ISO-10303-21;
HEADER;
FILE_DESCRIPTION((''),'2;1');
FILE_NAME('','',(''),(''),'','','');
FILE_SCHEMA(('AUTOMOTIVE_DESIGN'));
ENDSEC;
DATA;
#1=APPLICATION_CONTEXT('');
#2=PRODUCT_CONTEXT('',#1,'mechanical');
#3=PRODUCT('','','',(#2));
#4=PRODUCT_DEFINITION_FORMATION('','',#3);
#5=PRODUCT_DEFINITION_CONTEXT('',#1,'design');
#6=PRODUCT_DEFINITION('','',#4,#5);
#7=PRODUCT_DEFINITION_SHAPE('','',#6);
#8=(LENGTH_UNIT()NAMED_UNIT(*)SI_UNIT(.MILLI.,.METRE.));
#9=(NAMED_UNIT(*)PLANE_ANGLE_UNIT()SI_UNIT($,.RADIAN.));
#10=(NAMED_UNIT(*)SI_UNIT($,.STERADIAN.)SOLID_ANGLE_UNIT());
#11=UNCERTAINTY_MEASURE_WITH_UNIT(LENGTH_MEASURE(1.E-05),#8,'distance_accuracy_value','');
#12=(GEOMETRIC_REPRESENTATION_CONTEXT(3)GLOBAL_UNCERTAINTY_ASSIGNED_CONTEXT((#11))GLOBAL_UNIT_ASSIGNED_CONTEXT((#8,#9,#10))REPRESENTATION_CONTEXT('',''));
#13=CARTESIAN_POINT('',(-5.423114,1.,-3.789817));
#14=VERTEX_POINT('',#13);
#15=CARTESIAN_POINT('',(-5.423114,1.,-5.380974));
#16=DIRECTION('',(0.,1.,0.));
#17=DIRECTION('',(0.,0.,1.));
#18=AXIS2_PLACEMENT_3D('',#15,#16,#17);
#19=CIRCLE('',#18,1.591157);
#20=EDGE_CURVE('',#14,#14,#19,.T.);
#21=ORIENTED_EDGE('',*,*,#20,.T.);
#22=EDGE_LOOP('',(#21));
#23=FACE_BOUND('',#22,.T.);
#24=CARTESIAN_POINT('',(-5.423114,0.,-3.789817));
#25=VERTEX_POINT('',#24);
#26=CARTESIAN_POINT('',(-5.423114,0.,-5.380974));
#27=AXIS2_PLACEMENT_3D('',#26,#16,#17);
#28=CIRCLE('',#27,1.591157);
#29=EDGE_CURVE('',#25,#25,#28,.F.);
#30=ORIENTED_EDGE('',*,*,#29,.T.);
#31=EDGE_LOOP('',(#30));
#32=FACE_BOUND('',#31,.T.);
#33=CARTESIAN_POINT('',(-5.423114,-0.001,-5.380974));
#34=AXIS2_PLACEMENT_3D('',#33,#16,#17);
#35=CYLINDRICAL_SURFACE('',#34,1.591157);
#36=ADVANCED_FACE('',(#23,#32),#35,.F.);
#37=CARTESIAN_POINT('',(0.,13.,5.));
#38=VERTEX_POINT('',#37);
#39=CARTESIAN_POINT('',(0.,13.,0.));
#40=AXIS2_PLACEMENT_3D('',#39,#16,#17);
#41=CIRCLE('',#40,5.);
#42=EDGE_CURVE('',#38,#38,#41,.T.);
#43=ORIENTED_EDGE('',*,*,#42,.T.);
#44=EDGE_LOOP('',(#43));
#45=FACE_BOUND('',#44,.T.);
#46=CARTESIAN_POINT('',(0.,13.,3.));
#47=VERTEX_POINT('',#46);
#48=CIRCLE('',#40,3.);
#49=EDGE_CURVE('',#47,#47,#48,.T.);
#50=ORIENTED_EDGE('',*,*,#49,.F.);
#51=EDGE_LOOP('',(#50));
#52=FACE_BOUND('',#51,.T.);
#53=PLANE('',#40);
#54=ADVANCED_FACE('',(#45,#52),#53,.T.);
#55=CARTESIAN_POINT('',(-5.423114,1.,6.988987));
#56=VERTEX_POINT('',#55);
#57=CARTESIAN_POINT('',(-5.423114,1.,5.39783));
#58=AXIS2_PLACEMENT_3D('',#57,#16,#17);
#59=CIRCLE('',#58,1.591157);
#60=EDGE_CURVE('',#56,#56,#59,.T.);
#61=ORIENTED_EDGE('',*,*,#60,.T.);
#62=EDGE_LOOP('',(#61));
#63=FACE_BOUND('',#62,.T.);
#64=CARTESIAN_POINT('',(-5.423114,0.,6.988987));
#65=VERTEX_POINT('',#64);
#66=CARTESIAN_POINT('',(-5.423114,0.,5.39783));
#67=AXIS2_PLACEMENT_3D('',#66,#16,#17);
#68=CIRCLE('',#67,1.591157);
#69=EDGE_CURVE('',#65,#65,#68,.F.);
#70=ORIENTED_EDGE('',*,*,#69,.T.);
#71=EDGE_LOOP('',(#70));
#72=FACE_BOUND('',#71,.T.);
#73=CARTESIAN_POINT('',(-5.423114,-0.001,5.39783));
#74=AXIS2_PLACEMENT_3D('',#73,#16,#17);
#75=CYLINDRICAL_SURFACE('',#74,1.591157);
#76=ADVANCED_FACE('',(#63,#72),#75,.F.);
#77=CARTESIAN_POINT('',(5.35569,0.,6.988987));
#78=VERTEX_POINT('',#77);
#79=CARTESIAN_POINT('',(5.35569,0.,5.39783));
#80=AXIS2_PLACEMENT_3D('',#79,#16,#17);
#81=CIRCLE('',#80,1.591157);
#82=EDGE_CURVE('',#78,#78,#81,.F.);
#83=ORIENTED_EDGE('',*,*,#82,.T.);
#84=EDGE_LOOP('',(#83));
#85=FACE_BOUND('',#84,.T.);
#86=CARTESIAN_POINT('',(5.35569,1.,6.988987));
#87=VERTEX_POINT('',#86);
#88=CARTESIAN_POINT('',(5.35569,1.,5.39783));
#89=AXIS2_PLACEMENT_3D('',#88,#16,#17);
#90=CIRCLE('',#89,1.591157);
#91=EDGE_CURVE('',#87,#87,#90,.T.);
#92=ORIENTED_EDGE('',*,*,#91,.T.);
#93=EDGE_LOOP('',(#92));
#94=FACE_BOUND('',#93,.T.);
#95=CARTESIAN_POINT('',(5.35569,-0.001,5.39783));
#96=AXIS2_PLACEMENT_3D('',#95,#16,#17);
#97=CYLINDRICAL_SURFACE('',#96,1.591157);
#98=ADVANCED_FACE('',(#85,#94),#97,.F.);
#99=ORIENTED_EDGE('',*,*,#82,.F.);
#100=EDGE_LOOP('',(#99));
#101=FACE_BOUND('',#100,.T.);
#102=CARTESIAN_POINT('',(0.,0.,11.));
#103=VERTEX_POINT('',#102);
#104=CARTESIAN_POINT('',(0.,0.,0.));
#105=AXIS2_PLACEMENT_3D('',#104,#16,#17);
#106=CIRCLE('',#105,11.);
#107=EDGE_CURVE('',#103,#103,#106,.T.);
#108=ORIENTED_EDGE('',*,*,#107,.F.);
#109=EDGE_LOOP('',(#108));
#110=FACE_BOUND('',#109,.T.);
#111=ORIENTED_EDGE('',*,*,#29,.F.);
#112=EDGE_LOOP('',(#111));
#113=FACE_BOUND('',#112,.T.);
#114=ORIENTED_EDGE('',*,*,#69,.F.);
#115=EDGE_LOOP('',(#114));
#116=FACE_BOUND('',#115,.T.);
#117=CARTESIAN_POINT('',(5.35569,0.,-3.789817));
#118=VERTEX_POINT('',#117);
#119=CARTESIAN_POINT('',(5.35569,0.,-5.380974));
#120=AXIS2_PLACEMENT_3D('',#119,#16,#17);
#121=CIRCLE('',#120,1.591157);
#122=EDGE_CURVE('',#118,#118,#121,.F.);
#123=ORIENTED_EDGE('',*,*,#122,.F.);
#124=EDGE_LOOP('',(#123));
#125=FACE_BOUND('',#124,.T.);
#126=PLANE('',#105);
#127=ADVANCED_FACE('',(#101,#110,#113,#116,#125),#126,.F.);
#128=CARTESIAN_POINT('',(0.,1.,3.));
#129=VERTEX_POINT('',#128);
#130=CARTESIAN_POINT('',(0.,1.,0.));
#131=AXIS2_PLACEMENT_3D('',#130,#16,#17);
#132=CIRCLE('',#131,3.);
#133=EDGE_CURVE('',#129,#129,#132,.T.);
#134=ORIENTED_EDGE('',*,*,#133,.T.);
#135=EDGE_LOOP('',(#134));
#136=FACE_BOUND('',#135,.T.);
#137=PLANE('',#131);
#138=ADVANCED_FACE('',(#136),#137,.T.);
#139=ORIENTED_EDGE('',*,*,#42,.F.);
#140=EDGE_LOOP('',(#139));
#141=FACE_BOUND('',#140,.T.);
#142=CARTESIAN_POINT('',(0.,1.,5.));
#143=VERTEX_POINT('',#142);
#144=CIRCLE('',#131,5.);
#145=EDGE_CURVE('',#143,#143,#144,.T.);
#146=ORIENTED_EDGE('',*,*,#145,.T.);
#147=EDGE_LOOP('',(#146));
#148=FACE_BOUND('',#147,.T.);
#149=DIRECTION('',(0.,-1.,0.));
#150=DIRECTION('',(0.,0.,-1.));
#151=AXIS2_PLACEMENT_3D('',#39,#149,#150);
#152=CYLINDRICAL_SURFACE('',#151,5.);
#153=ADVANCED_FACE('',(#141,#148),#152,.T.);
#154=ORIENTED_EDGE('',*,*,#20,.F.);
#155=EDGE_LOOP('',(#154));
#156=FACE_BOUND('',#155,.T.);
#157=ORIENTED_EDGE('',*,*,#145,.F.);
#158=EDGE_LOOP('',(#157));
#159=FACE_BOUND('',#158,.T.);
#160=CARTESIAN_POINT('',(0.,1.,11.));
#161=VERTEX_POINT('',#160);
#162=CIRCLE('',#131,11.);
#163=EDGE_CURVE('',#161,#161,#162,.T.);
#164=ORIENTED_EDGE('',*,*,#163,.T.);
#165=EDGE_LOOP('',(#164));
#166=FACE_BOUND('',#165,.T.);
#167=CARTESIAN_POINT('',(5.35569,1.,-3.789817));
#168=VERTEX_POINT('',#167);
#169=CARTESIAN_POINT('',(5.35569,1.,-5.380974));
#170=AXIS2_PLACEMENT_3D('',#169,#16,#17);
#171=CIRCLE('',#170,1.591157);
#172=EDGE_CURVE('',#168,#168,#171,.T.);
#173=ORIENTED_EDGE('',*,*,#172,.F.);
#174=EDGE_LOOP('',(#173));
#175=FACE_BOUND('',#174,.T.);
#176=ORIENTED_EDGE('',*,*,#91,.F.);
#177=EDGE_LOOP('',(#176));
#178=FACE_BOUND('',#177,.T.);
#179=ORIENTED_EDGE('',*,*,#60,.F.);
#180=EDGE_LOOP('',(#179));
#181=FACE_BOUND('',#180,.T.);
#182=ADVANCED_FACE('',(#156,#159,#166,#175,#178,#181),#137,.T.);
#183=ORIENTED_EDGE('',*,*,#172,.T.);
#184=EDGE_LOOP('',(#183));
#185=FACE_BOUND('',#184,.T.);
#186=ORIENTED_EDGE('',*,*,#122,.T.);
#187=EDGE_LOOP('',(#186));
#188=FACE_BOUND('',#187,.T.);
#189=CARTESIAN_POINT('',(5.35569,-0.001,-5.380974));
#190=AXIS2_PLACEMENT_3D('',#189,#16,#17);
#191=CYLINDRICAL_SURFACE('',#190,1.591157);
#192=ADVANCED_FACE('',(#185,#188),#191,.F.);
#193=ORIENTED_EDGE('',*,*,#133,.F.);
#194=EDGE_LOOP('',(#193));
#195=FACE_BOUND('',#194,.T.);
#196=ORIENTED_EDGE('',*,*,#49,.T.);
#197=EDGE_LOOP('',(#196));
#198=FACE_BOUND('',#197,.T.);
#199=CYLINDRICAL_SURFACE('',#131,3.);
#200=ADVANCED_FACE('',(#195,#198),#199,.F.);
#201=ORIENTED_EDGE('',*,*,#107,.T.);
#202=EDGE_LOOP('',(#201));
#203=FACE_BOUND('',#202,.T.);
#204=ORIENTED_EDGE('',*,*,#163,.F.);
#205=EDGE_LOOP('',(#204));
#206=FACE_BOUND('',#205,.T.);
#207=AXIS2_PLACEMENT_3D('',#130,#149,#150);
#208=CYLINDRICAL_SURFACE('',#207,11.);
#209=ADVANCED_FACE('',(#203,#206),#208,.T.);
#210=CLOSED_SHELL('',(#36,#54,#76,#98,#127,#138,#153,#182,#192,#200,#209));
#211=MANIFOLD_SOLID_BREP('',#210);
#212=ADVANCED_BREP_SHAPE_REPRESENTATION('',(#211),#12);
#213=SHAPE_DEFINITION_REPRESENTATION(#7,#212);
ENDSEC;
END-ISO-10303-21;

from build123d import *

# Parameters (mm, degrees)
SKETCH1_R           = 11
BOSS_EXTRUDE1_DEPTH = 1
SKETCH2_R           = 5
BOSS_EXTRUDE2_DEPTH = 12
SKETCH3_R           = 3
CUT_EXTRUDE1_DEPTH  = 12
CUT_EXTRUDE2_REACH  = 21.647
SKETCH4_R           = 1.591156764


with BuildPart() as part:
    # Sketch1 → Boss-Extrude1 (new body)
    with BuildSketch(Plane(origin=(0, 0, 0), x_dir=(1, 0, 0), z_dir=(0, 1, 0))):
        Circle(SKETCH1_R)
    extrude(amount=BOSS_EXTRUDE1_DEPTH)

    # Sketch2 → Boss-Extrude2 (add)
    with BuildSketch(Plane(origin=(0, 1, 0), x_dir=(1, 0, 0), z_dir=(0, 1, 0))):
        Circle(SKETCH2_R)
    extrude(amount=BOSS_EXTRUDE2_DEPTH)

    # Sketch3 → Cut-Extrude1 (cut)
    with BuildSketch(Plane(origin=(0, 13, 0), x_dir=(1, 0, 0), z_dir=(0, 1, 0))):
        Circle(SKETCH3_R)
    extrude(amount=-CUT_EXTRUDE1_DEPTH, mode=Mode.SUBTRACT)

    # Sketch4 → Cut-Extrude2 (cut, up to next)
    with BuildSketch(Plane(origin=(0, 1, 0), x_dir=(1, 0, 0), z_dir=(0, 1, 0)), mode=Mode.PRIVATE) as cut_extrude2_sk1:
        with Locations((5.355689552, 5.380973844)):
            Circle(SKETCH4_R)
    cut_extrude2_tool1 = extrude(cut_extrude2_sk1.sketch, amount=-CUT_EXTRUDE2_REACH, mode=Mode.PRIVATE) & part.part
    # Sketch4 → Cut-Extrude2 (cut, up to next)
    with BuildSketch(Plane(origin=(0, 1, 0), x_dir=(1, 0, 0), z_dir=(0, 1, 0)), mode=Mode.PRIVATE) as cut_extrude2_sk2:
        with Locations((-5.42311433, 5.380973844)):
            Circle(SKETCH4_R)
    cut_extrude2_tool2 = extrude(cut_extrude2_sk2.sketch, amount=-CUT_EXTRUDE2_REACH, mode=Mode.PRIVATE) & part.part
    # Sketch4 → Cut-Extrude2 (cut, up to next)
    with BuildSketch(Plane(origin=(0, 1, 0), x_dir=(1, 0, 0), z_dir=(0, 1, 0)), mode=Mode.PRIVATE) as cut_extrude2_sk3:
        with Locations((-5.42311433, -5.397830038)):
            Circle(SKETCH4_R)
    cut_extrude2_tool3 = extrude(cut_extrude2_sk3.sketch, amount=-CUT_EXTRUDE2_REACH, mode=Mode.PRIVATE) & part.part
    # Sketch4 → Cut-Extrude2 (cut, up to next)
    with BuildSketch(Plane(origin=(0, 1, 0), x_dir=(1, 0, 0), z_dir=(0, 1, 0)), mode=Mode.PRIVATE) as cut_extrude2_sk4:
        with Locations((5.355689552, -5.397830038)):
            Circle(SKETCH4_R)
    cut_extrude2_tool4 = extrude(cut_extrude2_sk4.sketch, amount=-CUT_EXTRUDE2_REACH, mode=Mode.PRIVATE) & part.part
    add(cut_extrude2_tool1.solids().sort_by_distance((5.35569, 1, -5.380974))[0], mode=Mode.SUBTRACT)
    add(cut_extrude2_tool2.solids().sort_by_distance((-5.423114, 1, -5.380974))[0], mode=Mode.SUBTRACT)
    add(cut_extrude2_tool3.solids().sort_by_distance((-5.423114, 1, 5.39783))[0], mode=Mode.SUBTRACT)
    add(cut_extrude2_tool4.solids().sort_by_distance((5.35569, 1, 5.39783))[0], mode=Mode.SUBTRACT)


solid = part.part
